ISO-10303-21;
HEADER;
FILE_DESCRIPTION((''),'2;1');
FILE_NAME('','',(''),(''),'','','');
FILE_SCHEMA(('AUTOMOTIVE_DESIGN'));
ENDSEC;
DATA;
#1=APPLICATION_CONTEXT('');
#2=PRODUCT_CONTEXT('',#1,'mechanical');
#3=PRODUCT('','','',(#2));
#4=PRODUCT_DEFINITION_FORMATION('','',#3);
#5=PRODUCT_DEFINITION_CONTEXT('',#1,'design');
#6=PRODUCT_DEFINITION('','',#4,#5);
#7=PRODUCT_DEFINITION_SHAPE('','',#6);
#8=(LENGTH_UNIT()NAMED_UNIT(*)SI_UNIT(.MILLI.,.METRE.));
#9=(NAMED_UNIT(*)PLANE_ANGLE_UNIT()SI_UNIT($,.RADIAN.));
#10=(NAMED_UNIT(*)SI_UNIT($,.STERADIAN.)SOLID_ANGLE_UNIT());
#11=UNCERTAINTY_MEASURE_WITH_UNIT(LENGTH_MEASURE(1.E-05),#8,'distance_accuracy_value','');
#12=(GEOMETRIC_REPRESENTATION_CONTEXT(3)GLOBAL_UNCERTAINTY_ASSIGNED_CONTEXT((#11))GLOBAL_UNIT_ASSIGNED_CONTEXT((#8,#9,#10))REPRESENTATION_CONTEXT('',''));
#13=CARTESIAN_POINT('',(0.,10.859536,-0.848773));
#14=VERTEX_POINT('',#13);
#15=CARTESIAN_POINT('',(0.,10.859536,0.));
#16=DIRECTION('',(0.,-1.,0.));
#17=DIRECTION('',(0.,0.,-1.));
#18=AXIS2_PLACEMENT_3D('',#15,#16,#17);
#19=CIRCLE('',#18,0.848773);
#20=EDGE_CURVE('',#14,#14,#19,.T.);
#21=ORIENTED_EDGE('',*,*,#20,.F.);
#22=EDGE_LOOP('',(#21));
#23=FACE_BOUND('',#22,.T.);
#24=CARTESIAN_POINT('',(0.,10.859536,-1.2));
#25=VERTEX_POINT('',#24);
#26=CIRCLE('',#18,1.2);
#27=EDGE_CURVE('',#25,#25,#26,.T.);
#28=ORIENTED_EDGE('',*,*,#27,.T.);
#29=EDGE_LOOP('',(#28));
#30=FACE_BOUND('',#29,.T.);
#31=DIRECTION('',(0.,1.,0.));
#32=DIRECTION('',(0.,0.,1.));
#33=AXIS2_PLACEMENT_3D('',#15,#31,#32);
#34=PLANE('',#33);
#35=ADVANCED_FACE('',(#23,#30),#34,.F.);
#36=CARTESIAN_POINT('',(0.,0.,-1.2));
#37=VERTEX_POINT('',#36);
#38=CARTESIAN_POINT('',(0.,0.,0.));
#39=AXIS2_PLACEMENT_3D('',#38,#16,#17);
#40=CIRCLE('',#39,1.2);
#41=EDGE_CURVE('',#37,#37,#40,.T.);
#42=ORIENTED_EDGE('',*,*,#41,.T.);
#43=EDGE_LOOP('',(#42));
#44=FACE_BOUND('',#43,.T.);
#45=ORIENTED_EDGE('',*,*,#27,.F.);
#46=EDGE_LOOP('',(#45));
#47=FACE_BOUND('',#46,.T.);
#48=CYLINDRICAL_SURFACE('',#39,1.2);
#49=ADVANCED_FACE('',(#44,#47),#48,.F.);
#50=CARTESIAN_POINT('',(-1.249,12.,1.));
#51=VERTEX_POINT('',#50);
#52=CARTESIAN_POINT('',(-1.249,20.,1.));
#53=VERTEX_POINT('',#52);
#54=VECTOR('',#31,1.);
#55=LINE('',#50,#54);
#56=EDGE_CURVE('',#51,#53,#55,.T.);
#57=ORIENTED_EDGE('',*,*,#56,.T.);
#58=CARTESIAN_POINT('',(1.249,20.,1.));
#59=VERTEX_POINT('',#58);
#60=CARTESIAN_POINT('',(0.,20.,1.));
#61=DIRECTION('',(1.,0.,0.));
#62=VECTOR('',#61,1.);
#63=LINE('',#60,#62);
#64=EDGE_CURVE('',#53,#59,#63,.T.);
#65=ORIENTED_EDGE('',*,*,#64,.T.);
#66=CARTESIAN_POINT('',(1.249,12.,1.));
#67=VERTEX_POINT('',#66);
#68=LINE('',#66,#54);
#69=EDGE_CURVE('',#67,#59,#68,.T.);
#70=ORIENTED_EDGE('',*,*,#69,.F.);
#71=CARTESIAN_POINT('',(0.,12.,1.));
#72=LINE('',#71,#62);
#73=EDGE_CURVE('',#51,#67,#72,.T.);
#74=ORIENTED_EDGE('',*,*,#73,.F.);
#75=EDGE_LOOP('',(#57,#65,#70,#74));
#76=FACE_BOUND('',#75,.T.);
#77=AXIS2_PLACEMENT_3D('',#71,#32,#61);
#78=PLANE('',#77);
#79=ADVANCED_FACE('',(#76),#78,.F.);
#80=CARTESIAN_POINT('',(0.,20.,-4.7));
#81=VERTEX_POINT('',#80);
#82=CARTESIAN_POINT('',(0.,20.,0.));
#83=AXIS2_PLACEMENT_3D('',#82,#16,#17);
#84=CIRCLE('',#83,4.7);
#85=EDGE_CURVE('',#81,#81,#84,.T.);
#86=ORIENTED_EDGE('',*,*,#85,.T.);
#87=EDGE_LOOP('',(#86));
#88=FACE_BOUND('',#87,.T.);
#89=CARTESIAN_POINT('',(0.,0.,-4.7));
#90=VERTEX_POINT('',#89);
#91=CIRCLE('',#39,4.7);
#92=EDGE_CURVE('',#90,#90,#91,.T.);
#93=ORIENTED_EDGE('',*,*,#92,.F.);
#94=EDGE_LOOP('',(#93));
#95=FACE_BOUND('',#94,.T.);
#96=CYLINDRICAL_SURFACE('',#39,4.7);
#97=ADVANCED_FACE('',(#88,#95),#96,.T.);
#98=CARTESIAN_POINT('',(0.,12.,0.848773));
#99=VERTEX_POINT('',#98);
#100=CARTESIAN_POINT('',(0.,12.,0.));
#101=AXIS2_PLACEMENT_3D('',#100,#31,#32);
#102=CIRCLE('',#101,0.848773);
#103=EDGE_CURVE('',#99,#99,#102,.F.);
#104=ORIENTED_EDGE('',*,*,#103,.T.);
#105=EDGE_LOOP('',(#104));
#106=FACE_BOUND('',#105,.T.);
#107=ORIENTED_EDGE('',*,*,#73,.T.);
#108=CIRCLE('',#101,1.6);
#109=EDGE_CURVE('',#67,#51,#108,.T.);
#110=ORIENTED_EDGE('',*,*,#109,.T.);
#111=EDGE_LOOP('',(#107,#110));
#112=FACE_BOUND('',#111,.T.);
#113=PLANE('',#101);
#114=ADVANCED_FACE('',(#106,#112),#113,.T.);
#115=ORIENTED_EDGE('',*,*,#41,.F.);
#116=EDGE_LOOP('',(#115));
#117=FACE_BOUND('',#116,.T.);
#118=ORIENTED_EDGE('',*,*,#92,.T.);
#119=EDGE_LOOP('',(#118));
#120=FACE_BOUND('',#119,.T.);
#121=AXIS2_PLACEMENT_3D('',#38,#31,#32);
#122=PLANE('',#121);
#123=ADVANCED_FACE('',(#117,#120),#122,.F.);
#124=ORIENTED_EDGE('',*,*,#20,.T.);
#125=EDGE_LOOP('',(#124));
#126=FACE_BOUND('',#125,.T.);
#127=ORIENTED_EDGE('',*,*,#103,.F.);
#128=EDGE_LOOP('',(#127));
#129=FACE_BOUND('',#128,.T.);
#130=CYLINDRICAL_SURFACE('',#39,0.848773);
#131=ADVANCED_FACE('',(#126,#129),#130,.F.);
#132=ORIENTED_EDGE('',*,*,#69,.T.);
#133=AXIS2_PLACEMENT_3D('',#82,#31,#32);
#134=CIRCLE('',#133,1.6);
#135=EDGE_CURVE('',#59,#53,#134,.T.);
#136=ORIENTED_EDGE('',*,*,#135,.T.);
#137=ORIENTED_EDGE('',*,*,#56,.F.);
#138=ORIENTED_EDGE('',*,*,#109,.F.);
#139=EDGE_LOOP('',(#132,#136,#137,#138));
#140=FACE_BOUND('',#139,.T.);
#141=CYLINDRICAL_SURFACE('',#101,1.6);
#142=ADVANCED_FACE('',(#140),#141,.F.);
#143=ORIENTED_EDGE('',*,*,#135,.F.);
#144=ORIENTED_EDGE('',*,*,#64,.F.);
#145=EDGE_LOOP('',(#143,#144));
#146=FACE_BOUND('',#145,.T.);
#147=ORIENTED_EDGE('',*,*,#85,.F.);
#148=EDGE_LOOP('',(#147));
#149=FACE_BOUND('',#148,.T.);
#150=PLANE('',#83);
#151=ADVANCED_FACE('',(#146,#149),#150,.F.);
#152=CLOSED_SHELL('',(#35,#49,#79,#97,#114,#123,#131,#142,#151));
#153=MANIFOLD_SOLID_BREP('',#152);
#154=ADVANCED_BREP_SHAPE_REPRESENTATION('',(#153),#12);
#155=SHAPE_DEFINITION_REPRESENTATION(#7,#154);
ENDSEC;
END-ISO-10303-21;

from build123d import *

# Parameters (mm, degrees)
SKETCH1_W          = 3.5
SKETCH1_H          = 20
SKETCH1_W_2        = 0.351227394
SKETCH1_H_2        = 9.140463919
SKETCH3_R          = 0.848772606
CUT_EXTRUDE1_DEPTH = 8


with BuildPart() as part:
    # Sketch1 → Revolve1 (revolve)
    with BuildSketch(Plane.XY, mode=Mode.PRIVATE) as revolve1_sk:
        with Locations((-2.95, 10)):
            Rectangle(SKETCH1_W, SKETCH1_H)
        with Locations((-1.024386303, 15.429768041)):
            Rectangle(SKETCH1_W_2, SKETCH1_H_2)
    revolve(revolve1_sk.sketch.rotate(Axis((0, 0, 0), (0, 1, 0)), 270), axis=Axis((0, 0, 0), (0, 1, 0)))

    # Sketch3 → Cut-Extrude1 (cut)
    # profile 1 of 5: a face of its own
    with BuildSketch(Plane(origin=(0, 20, 0), x_dir=(1, 0, 0), z_dir=(0, 1, 0))):
        with BuildLine():
            Line((0.452879675, 1.43), (-0.452879675, 1.43))
            ThreePointArc((-0.452879675, 1.43), (-1.428365431, 0.458008946), (-1.2, -0.9))
            Line((-1.2, -0.9), (1.2, -0.9))
            ThreePointArc((1.2, -0.9), (1.428365431, 0.458008946), (0.452879675, 1.43))
        make_face()
        with Locations(Location((0, 0, 0), (0, 0, 90))):
            Circle(SKETCH3_R, mode=Mode.SUBTRACT)
    # profile 2 of 5: a face of its own
    with BuildSketch(Plane(origin=(0, 20, 0), x_dir=(1, 0, 0), z_dir=(0, 1, 0))):
        with BuildLine():
            ThreePointArc((0.452879675, 1.43), (0, 1.5), (-0.452879675, 1.43))
            Line((-0.452879675, 1.43), (0.452879675, 1.43))
        make_face()
    # profile 3 of 5: a face of its own
    with BuildSketch(Plane(origin=(0, 20, 0), x_dir=(1, 0, 0), z_dir=(0, 1, 0))):
        with BuildLine():
            ThreePointArc((0.717704675, 1.43), (0, 1.6), (-0.717704675, 1.43))
            Line((-0.717704675, 1.43), (-0.452879675, 1.43))
            ThreePointArc((-0.452879675, 1.43), (0, 1.5), (0.452879675, 1.43))
            Line((0.452879675, 1.43), (0.717704675, 1.43))
        make_face()
    # profile 4 of 5: a face of its own
    with BuildSketch(Plane(origin=(0, 20, 0), x_dir=(1, 0, 0), z_dir=(0, 1, 0))):
        with BuildLine():
            ThreePointArc((-0.717704675, 1.43), (-1.56307595, 0.341750749), (-1.2489996, -1))
            Line((-1.2489996, -1), (1.2489996, -1))
            ThreePointArc((1.2489996, -1), (1.56307595, 0.341750749), (0.717704675, 1.43))
            Line((0.717704675, 1.43), (0.452879675, 1.43))
            ThreePointArc((0.452879675, 1.43), (1.428365431, 0.458008946), (1.2, -0.9))
            Line((1.2, -0.9), (-1.2, -0.9))
            ThreePointArc((-1.2, -0.9), (-1.428365431, 0.458008946), (-0.452879675, 1.43))
            Line((-0.452879675, 1.43), (-0.717704675, 1.43))
        make_face()
    # profile 5 of 5: a face of its own
    with BuildSketch(Plane(origin=(0, 20, 0), x_dir=(1, 0, 0), z_dir=(0, 1, 0))):
        with Locations(Location((0, 0, 0), (0, 0, 90))):
            Circle(SKETCH3_R)
    extrude(amount=-CUT_EXTRUDE1_DEPTH, mode=Mode.SUBTRACT)


solid = part.part
